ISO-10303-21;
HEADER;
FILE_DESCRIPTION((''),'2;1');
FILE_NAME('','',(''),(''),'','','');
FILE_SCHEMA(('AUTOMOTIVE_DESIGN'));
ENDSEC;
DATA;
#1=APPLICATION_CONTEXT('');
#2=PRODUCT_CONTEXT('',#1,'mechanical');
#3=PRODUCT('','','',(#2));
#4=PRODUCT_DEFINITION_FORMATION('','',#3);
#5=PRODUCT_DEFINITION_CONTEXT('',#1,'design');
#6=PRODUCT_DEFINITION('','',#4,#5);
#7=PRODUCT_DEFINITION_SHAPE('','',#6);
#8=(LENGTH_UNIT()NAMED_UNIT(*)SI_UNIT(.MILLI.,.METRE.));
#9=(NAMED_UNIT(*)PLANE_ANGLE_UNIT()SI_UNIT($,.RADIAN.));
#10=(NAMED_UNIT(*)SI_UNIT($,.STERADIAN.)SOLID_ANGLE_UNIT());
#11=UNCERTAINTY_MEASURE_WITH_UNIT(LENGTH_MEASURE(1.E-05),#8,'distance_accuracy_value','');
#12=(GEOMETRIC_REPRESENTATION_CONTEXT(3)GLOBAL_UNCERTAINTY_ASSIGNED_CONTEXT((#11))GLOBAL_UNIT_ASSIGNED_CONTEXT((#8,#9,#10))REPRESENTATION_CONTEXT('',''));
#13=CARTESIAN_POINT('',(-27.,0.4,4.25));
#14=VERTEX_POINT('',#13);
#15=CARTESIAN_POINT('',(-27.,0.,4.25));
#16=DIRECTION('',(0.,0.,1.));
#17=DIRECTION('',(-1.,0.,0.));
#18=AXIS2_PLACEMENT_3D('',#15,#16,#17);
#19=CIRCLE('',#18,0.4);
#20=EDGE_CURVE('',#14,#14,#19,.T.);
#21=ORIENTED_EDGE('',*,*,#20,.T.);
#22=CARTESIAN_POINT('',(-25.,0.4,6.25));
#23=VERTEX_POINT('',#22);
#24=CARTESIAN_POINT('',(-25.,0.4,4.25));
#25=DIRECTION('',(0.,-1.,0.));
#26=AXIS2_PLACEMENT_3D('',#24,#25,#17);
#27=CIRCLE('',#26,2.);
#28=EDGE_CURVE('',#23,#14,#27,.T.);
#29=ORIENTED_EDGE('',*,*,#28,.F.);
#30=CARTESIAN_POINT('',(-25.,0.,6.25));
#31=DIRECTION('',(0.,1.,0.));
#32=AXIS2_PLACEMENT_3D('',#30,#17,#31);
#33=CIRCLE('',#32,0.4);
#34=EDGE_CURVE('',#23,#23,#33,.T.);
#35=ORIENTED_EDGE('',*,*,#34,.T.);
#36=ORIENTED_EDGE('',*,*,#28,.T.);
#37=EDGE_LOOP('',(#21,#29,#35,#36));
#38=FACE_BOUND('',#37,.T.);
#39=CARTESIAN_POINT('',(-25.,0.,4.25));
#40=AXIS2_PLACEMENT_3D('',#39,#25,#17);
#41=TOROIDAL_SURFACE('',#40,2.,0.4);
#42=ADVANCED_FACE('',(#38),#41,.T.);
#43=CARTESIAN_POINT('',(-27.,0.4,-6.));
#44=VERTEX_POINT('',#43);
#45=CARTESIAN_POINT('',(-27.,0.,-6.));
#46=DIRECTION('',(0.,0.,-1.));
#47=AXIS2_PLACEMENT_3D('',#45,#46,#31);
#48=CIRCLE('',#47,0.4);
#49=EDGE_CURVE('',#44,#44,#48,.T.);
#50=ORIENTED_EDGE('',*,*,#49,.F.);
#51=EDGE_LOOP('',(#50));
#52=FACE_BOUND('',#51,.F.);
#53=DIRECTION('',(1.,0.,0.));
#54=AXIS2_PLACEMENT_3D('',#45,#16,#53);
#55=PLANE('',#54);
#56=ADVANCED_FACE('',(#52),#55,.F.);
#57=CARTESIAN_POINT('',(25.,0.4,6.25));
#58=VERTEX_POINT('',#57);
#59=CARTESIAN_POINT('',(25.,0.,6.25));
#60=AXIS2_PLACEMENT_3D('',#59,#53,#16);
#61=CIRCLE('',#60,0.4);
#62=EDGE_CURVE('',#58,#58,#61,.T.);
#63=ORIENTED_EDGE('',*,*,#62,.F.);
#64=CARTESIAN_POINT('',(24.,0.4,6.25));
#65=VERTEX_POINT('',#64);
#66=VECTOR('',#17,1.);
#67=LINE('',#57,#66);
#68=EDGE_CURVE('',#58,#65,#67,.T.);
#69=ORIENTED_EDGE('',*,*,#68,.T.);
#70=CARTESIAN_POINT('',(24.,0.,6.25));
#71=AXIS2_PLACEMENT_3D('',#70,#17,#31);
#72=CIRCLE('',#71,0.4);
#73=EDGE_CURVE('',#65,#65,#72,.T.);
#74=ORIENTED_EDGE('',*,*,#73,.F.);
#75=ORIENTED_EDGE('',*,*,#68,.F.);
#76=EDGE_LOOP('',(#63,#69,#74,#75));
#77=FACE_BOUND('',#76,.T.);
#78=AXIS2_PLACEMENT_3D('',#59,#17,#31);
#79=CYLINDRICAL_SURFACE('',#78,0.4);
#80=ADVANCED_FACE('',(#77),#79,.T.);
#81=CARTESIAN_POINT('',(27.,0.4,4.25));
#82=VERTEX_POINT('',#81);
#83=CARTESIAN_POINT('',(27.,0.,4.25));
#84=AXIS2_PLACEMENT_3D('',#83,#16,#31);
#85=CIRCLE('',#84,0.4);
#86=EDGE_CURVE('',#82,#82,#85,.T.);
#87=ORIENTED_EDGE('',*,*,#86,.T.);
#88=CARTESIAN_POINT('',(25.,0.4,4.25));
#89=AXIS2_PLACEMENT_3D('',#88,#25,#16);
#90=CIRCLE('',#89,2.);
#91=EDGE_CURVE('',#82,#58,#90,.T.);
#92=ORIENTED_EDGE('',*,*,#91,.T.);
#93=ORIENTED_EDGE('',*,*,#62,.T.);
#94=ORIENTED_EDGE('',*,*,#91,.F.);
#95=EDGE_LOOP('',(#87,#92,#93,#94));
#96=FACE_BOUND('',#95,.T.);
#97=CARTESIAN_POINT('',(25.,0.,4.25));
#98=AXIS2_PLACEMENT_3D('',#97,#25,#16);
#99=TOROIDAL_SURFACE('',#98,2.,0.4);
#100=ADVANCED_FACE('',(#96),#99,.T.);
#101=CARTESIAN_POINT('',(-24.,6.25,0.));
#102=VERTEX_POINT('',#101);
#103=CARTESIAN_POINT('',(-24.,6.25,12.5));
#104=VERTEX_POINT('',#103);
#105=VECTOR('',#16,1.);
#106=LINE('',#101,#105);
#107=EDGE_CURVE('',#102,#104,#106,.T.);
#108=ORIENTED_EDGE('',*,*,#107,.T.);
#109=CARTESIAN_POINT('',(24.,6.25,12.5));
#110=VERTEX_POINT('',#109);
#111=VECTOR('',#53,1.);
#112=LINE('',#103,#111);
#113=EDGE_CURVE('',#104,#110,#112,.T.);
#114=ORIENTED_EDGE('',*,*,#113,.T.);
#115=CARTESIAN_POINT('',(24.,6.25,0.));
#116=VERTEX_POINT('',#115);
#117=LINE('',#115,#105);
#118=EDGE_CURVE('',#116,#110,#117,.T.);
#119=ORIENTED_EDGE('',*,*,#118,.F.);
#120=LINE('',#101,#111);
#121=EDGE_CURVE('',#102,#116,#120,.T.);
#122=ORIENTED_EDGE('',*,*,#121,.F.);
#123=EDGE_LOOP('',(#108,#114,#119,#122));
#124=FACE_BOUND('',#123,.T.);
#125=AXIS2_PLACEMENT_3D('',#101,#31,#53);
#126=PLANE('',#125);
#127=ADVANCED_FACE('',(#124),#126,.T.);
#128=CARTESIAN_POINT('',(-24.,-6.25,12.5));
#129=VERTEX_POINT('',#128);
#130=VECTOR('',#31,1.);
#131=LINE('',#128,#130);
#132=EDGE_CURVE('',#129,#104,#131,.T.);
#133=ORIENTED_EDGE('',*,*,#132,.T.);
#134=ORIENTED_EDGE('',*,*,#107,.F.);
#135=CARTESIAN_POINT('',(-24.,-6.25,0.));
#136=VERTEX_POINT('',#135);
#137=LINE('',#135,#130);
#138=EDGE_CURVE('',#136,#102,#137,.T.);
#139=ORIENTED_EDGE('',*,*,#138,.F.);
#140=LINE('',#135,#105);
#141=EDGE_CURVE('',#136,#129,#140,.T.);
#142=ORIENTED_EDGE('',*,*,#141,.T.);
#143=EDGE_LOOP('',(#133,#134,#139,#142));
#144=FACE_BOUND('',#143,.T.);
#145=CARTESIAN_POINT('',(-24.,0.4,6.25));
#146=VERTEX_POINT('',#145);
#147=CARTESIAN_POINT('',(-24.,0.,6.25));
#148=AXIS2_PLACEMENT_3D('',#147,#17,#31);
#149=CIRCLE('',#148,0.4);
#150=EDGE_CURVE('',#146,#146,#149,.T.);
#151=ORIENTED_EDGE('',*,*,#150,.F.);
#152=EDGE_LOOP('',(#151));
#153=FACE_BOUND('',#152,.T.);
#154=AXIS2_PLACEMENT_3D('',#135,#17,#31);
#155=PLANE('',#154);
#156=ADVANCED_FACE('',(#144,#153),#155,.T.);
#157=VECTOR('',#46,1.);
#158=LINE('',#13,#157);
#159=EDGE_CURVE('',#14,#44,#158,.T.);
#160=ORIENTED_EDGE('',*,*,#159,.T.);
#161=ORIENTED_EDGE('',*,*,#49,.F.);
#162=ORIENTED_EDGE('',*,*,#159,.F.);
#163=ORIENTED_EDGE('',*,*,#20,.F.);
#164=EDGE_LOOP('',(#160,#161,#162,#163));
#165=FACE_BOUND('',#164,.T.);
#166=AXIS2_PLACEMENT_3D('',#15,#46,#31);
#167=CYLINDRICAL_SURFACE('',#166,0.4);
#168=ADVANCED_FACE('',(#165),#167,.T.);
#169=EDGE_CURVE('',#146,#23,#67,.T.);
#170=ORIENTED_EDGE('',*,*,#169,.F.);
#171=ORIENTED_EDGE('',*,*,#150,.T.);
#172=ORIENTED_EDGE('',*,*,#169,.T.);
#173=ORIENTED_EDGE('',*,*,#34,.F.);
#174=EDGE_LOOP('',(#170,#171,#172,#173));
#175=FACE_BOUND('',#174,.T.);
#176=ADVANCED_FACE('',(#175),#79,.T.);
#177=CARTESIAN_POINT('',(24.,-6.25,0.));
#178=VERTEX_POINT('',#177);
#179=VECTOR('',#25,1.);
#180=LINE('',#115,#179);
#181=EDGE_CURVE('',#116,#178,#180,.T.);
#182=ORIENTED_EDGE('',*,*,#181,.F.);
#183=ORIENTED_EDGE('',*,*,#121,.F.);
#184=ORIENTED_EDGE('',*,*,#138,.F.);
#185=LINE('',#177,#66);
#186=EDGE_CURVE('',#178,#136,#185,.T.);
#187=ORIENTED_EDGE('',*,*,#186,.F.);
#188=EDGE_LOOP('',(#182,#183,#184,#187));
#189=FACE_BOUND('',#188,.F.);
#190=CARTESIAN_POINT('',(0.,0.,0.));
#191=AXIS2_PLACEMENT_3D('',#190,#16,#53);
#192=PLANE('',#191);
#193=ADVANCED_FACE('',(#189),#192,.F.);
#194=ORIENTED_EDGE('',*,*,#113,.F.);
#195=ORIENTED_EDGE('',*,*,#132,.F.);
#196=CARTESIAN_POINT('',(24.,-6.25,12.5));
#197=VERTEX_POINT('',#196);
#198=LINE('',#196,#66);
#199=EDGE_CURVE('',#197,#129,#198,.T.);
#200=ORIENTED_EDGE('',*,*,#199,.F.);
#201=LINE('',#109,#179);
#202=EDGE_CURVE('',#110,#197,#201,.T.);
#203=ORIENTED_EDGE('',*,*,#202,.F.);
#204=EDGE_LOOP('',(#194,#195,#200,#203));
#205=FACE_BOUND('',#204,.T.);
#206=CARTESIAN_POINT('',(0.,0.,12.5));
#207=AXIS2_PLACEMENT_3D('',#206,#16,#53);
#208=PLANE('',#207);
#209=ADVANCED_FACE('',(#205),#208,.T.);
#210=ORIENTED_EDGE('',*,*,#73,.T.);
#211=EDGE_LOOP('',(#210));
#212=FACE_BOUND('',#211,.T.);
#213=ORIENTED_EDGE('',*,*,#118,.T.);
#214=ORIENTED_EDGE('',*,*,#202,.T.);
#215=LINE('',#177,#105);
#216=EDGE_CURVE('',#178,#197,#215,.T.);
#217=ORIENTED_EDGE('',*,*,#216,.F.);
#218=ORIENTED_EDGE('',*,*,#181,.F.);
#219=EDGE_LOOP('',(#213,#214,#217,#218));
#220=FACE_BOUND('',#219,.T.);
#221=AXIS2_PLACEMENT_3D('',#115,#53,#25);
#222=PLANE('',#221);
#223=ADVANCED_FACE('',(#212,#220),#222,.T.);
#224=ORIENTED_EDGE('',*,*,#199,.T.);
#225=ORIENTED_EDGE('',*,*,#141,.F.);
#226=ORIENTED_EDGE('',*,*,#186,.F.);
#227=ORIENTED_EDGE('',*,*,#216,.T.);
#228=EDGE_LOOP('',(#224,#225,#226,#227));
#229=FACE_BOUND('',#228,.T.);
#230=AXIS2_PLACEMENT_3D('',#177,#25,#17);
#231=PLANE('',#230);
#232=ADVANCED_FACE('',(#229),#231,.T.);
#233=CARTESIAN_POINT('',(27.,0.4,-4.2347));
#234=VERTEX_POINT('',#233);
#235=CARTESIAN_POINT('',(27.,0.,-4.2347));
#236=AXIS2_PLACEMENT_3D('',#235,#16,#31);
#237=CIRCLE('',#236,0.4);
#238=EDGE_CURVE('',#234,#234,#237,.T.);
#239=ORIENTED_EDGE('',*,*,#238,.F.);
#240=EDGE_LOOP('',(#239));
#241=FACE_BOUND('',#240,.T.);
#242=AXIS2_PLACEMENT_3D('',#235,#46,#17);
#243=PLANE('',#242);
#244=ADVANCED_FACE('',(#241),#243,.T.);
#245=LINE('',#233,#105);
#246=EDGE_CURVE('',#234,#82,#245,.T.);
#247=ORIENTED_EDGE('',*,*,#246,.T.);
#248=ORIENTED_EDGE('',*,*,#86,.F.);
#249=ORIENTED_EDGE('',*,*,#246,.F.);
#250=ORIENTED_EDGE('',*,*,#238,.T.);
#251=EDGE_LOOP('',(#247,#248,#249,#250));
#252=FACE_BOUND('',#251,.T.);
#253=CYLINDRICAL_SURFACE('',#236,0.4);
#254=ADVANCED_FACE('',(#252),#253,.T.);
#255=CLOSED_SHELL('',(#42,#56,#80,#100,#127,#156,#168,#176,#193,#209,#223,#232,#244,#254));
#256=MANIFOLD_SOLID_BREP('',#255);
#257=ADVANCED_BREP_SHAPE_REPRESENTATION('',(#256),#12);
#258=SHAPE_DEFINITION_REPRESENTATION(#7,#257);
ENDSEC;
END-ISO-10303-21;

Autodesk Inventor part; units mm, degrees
ref_plane "YZ Plane" through (0, 0, 0) normal (1, 0, 0) x (0, 1, 0)
ref_plane "XZ Plane" through (0, 0, 0) normal (0, 1, 0) x (-1, 0, 0)
ref_plane "XY Plane" through (0, 0, 0) normal (0, 0, 1) x (1, 0, 0)
sketch "Boceto39" plane through (0, 0, 0) normal (0, 0, 1) x (1, 0, 0)
  line L0 (-24, 6.25) -> (24, 6.25)
  line L1 (24, 6.25) -> (24, -6.25)
  line L2 (24, -6.25) -> (-24, -6.25)
  line L3 (-24, -6.25) -> (-24, 6.25)
  point P0 (0, 0)
  point P1 (0, 6.25)
  point P2 (-24, 0)
  dimension "d373" = 48
  dimension "d374" = 12.5
extrude "Extrusión13" add sketch "Boceto39" along normal blind 12.5
sketch "Boceto40" plane through (0, 0, 0) normal (0, 1, 0) x (-1, 0, 0)
  line L0 (24, 0) -> (-24, 0) projected
  line L1 (24, 0) -> (24, 12.5) projected
  line L2 (-24, 12.5) -> (24, 12.5) projected
  line L3 (-24, 0) -> (-24, 12.5) projected
  line L4 (-27, -4.2347) -> (-27, 4.25)
  line L5 (-25, 6.25) -> (25, 6.25)
  line L6 (27, 4.25) -> (27, -6)
  arc A0 (27, 4.25) -> (25, 6.25) centre (25, 4.25) ccw
  arc A1 (-25, 6.25) -> (-27, 4.25) centre (-25, 4.25) ccw
  point P0 (0, 0)
  point P1 (0, 6.25)
  point P2 (24, 6.25)
  point P3 (0, 0)
  dimension "d377" = 27
  dimension "d378" = 2
  dimension "d379" = 6
sketch "Boceto41" plane through (0, 0, 0) normal (1, 0, 0) x (0, 1, 0)
  circle A0 centre (0, 6.25) radius 0.4
  point P0 (0, 0)
  dimension "d380" = 0.8
sweep "Barrido1" add profiles "Boceto41" path "Boceto40" path curves L6 A0 L5 A1 L4
properties part number "AXIAL-POWER"
